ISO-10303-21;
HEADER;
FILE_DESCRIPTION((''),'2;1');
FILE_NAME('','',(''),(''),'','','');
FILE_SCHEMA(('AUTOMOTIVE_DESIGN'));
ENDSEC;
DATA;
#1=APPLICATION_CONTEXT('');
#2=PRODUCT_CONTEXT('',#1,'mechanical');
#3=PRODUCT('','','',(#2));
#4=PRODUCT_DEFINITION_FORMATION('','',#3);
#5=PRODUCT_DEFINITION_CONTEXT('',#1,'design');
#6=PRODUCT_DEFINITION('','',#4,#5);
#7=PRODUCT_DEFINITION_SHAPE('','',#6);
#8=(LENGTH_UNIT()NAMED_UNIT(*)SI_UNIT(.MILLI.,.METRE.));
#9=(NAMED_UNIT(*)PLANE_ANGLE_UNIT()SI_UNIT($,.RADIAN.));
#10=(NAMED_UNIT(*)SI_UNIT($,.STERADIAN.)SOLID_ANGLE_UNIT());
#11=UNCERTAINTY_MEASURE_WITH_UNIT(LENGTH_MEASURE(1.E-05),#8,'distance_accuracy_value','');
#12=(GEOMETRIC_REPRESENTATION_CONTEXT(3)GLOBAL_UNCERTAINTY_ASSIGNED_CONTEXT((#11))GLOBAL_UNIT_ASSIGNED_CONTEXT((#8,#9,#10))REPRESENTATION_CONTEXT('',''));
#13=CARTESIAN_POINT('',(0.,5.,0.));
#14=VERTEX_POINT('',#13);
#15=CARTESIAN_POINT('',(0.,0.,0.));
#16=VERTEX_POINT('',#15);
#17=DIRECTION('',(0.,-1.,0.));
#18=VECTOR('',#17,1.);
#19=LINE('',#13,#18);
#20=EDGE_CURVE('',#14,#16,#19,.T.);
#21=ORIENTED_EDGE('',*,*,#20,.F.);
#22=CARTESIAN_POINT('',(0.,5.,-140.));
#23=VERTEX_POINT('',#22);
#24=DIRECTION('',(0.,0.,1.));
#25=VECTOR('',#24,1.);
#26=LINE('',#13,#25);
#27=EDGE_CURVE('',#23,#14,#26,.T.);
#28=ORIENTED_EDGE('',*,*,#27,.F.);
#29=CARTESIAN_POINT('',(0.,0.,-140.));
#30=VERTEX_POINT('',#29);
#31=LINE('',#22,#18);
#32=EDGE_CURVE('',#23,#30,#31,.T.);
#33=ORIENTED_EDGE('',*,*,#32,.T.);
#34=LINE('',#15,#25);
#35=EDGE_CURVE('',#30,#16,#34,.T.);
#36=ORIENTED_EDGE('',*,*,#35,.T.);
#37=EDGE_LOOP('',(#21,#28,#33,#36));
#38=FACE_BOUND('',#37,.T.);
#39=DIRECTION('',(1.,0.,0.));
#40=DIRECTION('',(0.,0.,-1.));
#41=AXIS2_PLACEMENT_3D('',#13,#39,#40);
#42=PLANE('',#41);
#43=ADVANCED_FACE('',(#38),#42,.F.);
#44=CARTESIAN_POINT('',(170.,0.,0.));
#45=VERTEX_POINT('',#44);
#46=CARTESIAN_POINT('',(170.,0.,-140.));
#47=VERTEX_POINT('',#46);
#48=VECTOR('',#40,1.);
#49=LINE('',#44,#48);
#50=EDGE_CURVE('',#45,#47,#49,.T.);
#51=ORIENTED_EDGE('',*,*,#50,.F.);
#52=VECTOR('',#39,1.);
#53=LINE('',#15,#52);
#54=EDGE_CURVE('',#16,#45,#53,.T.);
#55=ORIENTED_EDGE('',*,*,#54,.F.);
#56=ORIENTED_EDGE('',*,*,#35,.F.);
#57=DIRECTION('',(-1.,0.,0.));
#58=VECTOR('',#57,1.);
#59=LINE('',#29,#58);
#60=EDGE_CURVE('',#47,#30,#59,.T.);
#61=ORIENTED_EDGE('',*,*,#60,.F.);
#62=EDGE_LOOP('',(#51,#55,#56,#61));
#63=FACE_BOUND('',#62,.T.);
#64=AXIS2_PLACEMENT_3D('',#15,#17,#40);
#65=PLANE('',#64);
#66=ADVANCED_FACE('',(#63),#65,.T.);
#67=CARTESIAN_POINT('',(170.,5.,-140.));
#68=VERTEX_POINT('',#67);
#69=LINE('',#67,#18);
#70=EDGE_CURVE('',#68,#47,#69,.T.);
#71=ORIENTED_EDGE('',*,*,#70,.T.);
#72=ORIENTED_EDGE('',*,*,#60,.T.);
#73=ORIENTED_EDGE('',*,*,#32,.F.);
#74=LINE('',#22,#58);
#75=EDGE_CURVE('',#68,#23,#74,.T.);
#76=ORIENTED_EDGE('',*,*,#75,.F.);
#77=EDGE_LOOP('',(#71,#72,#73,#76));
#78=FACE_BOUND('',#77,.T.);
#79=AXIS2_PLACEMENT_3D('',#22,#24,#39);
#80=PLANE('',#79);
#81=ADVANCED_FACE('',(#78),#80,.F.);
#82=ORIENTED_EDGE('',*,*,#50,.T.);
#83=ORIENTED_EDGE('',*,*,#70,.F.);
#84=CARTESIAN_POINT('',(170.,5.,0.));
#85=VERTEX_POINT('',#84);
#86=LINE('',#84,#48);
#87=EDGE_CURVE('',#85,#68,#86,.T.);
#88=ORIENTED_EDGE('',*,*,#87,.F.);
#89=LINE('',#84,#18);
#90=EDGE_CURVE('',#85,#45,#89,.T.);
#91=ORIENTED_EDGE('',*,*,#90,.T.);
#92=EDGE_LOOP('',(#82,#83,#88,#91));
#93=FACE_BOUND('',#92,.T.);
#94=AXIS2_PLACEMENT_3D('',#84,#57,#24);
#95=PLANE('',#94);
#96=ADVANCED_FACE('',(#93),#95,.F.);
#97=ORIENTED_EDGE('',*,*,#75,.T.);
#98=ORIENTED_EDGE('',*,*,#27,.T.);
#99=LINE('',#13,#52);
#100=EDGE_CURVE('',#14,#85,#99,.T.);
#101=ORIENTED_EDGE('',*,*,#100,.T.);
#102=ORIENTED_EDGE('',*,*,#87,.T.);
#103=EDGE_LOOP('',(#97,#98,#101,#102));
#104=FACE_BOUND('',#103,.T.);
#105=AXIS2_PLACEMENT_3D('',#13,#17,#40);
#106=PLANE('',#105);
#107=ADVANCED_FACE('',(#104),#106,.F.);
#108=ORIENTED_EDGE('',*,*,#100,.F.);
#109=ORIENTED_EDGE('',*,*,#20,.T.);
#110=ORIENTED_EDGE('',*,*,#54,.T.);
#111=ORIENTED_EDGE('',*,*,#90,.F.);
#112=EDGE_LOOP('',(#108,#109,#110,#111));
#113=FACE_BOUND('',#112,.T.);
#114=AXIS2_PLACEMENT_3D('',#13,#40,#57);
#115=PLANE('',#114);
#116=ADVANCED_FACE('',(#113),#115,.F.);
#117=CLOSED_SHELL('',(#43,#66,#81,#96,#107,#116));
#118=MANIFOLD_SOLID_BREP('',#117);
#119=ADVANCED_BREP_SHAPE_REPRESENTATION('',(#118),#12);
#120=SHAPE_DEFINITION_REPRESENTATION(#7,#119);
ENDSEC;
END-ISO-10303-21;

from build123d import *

# Parameters (mm, degrees)
SKETCH_1_W      = 170
SKETCH_1_H      = 140
EXTRUDE_1_DEPTH = 5


with BuildPart() as part:
    # 스케치1 → 보스-돌출1 (new body)
    with BuildSketch(Plane(origin=(0, 0, 0), x_dir=(1, 0, 0), z_dir=(0, 1, 0))):
        with Locations((85, 70)):
            Rectangle(SKETCH_1_W, SKETCH_1_H)
    extrude(amount=EXTRUDE_1_DEPTH)


solid = part.part
